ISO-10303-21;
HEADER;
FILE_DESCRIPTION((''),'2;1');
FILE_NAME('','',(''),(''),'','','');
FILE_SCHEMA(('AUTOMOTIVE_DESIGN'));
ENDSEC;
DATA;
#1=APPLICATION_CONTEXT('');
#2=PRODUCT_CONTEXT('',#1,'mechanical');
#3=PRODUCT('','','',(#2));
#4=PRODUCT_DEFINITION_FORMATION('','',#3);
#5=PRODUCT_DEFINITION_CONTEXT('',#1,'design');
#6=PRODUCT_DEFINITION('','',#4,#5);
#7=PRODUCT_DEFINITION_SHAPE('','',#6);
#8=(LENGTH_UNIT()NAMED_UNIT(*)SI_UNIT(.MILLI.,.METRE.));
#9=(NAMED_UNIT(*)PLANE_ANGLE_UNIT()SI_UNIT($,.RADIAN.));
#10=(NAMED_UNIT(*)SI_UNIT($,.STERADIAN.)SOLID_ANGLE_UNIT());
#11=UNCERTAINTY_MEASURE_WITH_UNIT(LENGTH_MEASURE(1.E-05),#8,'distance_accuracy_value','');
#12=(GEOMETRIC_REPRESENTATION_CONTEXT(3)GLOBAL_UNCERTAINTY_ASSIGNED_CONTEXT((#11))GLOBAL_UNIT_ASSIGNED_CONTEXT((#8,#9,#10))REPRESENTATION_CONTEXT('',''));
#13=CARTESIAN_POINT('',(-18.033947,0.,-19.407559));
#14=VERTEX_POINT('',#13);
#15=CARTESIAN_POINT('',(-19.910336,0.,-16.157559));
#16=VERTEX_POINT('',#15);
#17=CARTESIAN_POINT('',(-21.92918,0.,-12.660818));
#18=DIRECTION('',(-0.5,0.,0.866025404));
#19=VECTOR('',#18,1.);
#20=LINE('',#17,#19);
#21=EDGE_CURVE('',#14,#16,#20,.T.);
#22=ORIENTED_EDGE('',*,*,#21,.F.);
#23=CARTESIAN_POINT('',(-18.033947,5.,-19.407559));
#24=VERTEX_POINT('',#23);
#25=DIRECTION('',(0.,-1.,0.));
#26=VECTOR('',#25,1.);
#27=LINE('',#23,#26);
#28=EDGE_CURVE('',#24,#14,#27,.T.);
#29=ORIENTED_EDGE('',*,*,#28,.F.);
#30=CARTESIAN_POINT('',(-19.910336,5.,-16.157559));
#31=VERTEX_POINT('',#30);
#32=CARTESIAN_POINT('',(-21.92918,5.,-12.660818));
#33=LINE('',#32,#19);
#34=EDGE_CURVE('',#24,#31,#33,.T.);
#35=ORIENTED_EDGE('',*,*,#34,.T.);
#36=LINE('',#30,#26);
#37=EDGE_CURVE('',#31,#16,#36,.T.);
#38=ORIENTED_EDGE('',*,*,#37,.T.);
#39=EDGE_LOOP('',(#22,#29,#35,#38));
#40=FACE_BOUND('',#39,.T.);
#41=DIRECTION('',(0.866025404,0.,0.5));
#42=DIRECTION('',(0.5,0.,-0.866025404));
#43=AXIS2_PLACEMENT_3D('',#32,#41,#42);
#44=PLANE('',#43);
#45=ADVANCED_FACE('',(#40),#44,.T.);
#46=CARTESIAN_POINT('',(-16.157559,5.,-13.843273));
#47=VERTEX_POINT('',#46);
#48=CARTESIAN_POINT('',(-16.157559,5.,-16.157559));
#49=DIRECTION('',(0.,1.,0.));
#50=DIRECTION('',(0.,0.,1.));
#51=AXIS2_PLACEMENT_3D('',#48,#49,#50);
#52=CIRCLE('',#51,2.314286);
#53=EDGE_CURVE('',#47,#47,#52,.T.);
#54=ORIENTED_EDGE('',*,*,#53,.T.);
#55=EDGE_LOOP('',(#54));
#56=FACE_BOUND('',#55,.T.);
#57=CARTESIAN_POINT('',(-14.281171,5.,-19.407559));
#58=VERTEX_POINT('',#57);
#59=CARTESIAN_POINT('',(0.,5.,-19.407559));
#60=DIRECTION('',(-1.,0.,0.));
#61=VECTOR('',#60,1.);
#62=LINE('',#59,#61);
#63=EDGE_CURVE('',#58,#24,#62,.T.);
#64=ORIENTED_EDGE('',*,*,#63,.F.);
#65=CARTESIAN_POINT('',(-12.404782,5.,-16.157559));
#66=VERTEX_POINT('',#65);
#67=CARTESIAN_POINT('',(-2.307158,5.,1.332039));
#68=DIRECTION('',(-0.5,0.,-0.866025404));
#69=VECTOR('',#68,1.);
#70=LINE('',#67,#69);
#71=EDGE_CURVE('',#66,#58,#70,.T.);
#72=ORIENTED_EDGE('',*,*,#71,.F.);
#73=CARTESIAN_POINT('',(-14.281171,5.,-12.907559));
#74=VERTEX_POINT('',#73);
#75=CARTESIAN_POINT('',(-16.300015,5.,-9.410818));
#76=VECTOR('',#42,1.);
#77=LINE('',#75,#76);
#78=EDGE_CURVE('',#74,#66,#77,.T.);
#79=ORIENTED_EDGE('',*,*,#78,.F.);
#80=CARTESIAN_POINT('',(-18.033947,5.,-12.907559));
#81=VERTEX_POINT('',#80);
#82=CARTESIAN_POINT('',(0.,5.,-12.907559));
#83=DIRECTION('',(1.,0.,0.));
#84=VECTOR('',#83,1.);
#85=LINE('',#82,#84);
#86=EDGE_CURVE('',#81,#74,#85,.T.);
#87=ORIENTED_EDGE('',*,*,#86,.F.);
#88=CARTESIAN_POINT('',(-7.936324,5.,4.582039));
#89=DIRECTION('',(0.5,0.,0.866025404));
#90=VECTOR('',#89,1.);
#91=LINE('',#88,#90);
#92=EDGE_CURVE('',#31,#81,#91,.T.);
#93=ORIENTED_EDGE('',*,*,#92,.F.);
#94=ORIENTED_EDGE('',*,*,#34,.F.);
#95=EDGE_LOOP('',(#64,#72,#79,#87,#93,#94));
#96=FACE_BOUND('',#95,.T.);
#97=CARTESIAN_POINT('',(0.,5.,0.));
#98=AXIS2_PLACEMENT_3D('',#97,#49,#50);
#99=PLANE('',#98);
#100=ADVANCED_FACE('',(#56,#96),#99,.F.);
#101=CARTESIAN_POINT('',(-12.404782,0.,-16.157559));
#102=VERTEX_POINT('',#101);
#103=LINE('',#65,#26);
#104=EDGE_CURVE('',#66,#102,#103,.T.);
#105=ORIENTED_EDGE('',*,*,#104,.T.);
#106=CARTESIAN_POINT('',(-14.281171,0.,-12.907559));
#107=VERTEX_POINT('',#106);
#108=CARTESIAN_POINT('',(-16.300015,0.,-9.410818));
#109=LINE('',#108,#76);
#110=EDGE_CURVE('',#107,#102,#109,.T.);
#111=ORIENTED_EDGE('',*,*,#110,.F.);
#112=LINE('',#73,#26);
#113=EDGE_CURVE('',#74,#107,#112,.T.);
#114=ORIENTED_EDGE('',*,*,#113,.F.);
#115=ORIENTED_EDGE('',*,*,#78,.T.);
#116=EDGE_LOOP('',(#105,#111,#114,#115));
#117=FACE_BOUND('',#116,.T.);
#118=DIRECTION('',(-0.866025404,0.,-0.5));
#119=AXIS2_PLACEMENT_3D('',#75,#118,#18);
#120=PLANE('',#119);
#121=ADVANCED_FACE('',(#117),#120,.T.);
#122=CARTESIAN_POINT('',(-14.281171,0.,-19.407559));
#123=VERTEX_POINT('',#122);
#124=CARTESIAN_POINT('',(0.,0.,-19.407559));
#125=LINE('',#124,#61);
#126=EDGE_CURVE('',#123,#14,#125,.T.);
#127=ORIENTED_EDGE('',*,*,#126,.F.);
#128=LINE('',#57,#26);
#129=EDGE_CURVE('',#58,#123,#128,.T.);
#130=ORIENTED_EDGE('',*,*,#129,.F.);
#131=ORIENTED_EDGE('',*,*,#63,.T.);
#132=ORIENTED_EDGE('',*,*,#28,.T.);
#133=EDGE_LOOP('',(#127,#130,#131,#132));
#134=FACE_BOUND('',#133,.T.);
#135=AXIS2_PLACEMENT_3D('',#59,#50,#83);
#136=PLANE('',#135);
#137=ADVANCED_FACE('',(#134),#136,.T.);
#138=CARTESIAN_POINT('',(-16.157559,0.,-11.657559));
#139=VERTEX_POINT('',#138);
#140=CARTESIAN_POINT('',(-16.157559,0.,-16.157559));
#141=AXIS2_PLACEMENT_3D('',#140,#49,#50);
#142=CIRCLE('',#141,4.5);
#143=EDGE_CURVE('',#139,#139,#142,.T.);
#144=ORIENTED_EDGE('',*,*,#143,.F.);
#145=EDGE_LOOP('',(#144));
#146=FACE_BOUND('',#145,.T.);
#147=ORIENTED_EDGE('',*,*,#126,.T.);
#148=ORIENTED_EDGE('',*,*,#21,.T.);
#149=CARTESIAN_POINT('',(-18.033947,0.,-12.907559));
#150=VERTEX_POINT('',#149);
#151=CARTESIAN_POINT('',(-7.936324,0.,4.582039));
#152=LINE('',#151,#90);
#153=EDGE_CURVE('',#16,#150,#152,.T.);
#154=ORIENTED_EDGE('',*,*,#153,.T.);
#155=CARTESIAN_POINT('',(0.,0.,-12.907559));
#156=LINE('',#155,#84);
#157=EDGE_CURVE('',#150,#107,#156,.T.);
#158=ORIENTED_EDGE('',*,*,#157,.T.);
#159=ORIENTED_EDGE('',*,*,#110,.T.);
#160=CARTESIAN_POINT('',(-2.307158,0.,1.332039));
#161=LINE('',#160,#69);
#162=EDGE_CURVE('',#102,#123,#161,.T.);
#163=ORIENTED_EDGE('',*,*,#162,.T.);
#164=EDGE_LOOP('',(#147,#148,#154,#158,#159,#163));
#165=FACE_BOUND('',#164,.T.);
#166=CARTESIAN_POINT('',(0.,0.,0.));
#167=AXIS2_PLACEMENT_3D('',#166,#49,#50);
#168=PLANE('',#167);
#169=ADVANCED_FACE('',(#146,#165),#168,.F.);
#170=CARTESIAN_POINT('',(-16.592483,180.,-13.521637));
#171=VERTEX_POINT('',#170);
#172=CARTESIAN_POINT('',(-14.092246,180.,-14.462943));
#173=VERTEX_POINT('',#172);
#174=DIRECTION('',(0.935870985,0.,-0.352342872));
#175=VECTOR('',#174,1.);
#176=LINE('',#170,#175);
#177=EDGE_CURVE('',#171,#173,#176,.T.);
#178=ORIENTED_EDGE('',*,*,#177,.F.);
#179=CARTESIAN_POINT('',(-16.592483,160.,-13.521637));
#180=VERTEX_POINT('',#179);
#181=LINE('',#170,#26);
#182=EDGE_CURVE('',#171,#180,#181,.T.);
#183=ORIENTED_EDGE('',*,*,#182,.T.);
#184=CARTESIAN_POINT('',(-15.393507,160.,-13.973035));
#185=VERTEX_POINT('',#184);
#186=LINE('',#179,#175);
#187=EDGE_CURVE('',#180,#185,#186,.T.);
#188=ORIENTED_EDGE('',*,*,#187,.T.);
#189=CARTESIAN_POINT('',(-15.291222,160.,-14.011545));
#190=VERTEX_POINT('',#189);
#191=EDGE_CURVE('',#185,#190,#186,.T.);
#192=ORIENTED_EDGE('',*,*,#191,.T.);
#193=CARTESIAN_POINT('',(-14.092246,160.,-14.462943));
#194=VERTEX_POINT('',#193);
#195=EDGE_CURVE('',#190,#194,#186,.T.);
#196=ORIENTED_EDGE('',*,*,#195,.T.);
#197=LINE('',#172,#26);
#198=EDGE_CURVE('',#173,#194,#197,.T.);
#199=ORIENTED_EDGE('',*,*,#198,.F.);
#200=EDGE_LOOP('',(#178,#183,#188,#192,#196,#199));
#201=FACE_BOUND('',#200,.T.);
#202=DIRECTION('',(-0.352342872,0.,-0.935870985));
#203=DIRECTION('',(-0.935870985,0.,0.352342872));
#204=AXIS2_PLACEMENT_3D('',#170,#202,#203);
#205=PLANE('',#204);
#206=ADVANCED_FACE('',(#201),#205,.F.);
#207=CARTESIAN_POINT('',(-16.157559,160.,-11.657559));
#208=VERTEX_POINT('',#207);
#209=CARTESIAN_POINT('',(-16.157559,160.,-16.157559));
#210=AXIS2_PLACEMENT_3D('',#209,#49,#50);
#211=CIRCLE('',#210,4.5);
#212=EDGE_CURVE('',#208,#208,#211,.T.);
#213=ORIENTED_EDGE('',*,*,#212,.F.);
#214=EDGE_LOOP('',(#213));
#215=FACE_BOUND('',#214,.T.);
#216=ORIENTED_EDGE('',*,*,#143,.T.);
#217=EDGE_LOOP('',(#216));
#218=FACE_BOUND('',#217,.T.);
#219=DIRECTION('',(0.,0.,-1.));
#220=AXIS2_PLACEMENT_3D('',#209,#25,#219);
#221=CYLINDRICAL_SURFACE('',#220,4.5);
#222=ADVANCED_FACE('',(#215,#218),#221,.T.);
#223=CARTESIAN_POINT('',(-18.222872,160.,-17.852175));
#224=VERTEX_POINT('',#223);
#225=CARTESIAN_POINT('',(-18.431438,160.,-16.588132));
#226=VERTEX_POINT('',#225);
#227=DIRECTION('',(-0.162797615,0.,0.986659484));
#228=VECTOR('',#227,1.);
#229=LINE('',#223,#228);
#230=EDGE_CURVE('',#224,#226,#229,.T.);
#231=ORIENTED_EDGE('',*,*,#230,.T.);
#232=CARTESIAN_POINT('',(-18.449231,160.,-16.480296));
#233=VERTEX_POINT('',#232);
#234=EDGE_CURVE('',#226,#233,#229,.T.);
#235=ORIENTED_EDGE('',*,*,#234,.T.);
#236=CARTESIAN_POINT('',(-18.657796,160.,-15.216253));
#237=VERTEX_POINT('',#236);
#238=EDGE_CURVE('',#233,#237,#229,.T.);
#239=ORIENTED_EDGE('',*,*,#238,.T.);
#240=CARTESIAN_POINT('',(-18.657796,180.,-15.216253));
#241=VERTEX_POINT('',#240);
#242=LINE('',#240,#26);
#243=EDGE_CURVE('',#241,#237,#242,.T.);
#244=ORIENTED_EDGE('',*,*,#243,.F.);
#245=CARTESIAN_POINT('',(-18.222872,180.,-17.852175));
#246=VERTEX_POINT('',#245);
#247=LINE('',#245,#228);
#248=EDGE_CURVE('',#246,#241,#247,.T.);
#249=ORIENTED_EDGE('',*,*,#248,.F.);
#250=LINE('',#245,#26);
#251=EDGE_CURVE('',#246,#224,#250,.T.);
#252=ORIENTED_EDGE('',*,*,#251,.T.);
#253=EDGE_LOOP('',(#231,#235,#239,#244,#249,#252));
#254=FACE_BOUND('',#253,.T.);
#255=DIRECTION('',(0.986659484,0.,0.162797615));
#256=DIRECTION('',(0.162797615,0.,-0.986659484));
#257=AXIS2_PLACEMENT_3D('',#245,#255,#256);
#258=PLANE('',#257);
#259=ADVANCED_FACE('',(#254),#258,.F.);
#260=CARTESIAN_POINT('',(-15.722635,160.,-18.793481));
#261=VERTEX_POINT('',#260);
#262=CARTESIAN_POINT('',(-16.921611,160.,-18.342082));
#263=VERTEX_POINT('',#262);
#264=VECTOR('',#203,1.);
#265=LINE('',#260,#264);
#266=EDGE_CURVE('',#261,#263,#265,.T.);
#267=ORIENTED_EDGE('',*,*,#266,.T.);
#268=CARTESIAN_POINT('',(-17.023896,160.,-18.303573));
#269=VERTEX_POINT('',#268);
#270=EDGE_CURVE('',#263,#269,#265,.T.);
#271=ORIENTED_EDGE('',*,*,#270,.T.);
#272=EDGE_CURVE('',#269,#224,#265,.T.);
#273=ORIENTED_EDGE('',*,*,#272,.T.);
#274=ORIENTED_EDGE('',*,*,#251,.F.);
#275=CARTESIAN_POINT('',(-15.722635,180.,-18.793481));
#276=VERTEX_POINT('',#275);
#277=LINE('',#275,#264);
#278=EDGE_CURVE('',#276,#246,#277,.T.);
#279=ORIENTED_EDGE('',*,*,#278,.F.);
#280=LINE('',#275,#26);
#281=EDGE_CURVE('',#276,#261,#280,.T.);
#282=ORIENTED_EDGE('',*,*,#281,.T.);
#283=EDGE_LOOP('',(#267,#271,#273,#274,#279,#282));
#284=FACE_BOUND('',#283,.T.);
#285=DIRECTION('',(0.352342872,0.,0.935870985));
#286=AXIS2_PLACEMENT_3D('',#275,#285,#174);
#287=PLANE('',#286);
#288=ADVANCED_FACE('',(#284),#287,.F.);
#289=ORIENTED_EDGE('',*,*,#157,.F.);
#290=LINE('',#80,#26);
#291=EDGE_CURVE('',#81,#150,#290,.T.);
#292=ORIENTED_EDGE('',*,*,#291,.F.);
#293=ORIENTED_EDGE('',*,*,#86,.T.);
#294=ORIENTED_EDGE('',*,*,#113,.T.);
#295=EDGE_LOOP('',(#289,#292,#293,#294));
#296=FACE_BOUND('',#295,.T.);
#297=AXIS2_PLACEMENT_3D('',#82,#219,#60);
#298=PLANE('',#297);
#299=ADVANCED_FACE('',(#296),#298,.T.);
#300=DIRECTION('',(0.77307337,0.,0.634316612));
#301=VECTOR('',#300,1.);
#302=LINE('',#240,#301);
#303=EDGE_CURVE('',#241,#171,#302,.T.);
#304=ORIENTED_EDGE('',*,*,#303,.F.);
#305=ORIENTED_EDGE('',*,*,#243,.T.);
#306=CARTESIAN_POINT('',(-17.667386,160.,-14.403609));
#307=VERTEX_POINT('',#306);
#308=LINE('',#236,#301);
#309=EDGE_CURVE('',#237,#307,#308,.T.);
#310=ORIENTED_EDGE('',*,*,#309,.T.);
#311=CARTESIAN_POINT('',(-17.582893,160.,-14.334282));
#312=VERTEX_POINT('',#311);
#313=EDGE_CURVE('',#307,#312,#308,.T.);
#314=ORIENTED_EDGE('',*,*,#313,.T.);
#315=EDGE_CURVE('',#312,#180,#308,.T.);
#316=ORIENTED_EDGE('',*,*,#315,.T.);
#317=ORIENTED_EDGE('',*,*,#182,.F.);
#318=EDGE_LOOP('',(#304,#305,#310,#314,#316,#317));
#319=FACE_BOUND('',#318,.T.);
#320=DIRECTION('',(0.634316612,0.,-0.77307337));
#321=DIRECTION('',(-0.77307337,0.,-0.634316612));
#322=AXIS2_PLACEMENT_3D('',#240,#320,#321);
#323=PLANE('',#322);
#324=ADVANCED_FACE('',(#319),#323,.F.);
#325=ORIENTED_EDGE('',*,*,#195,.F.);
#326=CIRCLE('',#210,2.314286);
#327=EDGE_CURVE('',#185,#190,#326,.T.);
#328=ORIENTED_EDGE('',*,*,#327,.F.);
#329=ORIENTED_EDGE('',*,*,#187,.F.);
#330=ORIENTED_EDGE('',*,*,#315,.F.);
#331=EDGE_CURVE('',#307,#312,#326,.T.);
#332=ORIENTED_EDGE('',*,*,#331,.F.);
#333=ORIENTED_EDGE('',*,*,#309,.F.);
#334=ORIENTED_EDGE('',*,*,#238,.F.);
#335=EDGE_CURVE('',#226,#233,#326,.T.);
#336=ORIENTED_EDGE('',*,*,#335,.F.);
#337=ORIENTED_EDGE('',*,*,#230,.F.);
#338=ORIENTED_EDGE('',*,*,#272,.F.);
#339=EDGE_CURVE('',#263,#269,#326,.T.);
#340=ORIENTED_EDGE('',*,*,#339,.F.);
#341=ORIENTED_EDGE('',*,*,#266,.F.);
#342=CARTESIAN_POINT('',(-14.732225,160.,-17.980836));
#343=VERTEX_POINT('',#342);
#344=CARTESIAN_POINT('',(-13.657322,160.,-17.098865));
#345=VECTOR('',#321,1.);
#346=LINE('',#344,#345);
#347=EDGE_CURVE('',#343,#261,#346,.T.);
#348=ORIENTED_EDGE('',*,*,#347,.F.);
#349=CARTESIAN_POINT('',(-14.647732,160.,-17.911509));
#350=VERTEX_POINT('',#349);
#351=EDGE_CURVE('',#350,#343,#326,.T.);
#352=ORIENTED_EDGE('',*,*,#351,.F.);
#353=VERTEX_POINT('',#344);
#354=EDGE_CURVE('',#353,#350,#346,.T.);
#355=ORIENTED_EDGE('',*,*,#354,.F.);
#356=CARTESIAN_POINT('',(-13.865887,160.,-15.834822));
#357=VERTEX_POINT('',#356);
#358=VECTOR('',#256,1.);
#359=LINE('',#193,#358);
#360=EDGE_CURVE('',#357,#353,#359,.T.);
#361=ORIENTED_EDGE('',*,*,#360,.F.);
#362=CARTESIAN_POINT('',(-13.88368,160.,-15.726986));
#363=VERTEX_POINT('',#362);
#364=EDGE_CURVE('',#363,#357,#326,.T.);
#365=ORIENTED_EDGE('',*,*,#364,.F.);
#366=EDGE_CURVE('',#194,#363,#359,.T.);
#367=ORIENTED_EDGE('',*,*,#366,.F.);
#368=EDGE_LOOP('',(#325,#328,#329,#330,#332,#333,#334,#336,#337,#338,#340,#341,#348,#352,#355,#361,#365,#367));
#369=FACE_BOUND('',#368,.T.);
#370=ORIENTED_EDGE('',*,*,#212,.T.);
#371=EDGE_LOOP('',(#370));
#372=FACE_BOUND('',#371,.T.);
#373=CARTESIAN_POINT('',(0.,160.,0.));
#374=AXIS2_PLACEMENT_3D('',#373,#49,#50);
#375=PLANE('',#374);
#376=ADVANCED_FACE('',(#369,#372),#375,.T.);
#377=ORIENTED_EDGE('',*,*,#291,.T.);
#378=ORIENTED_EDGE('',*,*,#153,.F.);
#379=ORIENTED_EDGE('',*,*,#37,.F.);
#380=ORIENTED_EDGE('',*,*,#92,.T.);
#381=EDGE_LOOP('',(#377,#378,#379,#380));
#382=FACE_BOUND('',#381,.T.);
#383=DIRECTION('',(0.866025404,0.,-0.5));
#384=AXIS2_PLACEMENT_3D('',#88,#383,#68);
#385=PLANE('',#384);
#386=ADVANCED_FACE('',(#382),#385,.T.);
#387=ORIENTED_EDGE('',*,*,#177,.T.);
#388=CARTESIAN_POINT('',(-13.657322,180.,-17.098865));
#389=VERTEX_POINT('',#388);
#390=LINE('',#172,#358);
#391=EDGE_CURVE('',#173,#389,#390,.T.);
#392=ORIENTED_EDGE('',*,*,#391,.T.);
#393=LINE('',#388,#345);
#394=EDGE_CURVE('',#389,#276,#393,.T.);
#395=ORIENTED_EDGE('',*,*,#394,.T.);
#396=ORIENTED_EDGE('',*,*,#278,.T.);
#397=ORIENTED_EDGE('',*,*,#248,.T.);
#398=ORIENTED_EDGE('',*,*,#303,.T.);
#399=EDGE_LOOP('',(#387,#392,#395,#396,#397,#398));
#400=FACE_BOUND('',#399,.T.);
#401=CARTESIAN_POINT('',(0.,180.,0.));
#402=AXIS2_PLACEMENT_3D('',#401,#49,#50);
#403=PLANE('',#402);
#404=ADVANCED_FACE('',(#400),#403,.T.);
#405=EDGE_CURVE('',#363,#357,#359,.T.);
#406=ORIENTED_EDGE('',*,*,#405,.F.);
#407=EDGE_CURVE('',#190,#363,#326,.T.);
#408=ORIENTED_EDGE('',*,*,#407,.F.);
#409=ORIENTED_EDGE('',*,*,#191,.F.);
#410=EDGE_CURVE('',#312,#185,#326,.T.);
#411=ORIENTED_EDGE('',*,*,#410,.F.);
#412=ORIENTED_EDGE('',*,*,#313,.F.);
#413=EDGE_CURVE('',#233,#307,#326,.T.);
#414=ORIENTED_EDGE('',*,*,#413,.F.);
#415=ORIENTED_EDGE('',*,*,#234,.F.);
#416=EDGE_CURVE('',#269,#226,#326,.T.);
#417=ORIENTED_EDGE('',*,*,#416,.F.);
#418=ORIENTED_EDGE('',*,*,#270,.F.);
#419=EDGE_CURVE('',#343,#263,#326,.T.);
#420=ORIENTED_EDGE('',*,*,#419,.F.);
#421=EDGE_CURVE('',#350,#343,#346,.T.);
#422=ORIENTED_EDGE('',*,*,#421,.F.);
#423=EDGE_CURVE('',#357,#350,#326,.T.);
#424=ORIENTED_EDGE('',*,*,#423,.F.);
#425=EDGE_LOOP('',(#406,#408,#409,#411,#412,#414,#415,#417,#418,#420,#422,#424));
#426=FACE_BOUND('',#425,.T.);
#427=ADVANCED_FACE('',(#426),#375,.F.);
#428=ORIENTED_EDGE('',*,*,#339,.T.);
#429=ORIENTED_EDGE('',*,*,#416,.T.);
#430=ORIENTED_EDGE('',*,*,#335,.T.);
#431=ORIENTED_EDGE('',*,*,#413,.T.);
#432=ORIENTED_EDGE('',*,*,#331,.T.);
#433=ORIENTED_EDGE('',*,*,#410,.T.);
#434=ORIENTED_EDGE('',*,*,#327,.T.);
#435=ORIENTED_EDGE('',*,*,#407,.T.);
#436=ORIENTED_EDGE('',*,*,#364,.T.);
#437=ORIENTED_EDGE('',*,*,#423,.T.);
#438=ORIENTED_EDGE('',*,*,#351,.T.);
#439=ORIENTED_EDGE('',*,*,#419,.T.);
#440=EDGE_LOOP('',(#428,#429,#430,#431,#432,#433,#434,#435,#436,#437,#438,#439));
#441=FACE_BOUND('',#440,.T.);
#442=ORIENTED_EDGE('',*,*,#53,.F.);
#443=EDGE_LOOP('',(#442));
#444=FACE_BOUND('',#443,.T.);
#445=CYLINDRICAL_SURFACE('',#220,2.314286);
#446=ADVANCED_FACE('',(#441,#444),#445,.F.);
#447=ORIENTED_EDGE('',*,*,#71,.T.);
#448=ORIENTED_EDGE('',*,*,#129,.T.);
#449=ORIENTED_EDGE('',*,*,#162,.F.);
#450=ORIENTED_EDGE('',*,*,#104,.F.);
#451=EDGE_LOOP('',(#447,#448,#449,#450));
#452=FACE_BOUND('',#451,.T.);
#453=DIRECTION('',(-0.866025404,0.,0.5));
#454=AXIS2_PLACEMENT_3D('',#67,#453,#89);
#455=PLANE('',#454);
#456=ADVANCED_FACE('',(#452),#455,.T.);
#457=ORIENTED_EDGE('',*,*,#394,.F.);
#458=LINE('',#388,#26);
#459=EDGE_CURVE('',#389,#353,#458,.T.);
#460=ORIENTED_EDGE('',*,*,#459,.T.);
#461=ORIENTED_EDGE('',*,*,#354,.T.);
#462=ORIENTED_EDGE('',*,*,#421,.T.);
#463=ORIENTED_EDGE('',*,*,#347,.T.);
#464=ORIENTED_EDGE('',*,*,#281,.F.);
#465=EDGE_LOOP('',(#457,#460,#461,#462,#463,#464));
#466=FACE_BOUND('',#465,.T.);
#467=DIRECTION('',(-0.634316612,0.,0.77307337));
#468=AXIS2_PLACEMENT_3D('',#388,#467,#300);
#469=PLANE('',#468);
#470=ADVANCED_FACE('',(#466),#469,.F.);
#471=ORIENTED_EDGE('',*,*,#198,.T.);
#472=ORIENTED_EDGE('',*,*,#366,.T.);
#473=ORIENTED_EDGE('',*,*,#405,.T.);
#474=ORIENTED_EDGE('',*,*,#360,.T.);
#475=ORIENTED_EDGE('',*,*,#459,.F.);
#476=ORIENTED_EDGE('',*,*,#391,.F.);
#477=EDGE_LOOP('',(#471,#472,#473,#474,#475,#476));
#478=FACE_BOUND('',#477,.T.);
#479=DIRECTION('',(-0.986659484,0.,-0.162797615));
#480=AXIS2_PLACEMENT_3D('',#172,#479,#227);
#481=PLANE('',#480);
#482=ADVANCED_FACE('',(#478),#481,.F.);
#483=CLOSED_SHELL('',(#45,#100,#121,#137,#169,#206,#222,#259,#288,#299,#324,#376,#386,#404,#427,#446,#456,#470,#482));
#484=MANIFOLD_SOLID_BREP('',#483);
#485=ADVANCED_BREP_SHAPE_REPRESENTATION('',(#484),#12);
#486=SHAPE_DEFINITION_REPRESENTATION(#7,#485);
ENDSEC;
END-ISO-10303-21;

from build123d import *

# Parameters (mm, degrees)
SKETCH1_R           = 4.5
SKETCH1_R_2         = 2.314285714
BOSS_EXTRUDE1_DEPTH = 160
SKETCH1_3_R         = 2.314285714
CUT_EXTRUDE1_DEPTH  = 5
BOSS_EXTRUDE2_DEPTH = 20


with BuildPart() as part:
    # Sketch1 → Boss-Extrude1 (new body)
    with BuildSketch(Plane(origin=(0, 0, 0), x_dir=(1, 0, 0), z_dir=(0, 1, 0))):
        with Locations((-16.157558946, 16.157558946)):
            Circle(SKETCH1_R)
        with Locations((-16.157558946, 16.157558946)):
            Circle(SKETCH1_R_2, mode=Mode.SUBTRACT)
    extrude(amount=BOSS_EXTRUDE1_DEPTH)

    # Sketch1<3> → Cut-Extrude1 (cut)
    with BuildSketch(Plane(origin=(0, 0, 0), x_dir=(1, 0, 0), z_dir=(0, 1, 0))):
        Polygon((-14.281170571, 12.907558946), (-12.404782196, 16.157558946), (-14.281170571, 19.407558946), (-18.033947321, 19.407558946), (-19.910335696, 16.157558946), (-18.033947321, 12.907558946), align=None)
        with Locations((-16.157558946, 16.157558946)):
            Circle(SKETCH1_3_R, mode=Mode.SUBTRACT)
    extrude(amount=CUT_EXTRUDE1_DEPTH, mode=Mode.SUBTRACT)

    # Sketch2 → Boss-Extrude2 (add)
    with BuildSketch(Plane(origin=(0, 160, 0), x_dir=(1, 0, 0), z_dir=(0, 1, 0))):
        Polygon((-14.092245618, 14.462942882), (-13.657321721, 17.098864722), (-15.722635049, 18.793480786), (-18.222872273, 17.852175009), (-18.65779617, 15.216253169), (-16.592482843, 13.521637106), align=None)
    extrude(amount=BOSS_EXTRUDE2_DEPTH)


solid = part.part
